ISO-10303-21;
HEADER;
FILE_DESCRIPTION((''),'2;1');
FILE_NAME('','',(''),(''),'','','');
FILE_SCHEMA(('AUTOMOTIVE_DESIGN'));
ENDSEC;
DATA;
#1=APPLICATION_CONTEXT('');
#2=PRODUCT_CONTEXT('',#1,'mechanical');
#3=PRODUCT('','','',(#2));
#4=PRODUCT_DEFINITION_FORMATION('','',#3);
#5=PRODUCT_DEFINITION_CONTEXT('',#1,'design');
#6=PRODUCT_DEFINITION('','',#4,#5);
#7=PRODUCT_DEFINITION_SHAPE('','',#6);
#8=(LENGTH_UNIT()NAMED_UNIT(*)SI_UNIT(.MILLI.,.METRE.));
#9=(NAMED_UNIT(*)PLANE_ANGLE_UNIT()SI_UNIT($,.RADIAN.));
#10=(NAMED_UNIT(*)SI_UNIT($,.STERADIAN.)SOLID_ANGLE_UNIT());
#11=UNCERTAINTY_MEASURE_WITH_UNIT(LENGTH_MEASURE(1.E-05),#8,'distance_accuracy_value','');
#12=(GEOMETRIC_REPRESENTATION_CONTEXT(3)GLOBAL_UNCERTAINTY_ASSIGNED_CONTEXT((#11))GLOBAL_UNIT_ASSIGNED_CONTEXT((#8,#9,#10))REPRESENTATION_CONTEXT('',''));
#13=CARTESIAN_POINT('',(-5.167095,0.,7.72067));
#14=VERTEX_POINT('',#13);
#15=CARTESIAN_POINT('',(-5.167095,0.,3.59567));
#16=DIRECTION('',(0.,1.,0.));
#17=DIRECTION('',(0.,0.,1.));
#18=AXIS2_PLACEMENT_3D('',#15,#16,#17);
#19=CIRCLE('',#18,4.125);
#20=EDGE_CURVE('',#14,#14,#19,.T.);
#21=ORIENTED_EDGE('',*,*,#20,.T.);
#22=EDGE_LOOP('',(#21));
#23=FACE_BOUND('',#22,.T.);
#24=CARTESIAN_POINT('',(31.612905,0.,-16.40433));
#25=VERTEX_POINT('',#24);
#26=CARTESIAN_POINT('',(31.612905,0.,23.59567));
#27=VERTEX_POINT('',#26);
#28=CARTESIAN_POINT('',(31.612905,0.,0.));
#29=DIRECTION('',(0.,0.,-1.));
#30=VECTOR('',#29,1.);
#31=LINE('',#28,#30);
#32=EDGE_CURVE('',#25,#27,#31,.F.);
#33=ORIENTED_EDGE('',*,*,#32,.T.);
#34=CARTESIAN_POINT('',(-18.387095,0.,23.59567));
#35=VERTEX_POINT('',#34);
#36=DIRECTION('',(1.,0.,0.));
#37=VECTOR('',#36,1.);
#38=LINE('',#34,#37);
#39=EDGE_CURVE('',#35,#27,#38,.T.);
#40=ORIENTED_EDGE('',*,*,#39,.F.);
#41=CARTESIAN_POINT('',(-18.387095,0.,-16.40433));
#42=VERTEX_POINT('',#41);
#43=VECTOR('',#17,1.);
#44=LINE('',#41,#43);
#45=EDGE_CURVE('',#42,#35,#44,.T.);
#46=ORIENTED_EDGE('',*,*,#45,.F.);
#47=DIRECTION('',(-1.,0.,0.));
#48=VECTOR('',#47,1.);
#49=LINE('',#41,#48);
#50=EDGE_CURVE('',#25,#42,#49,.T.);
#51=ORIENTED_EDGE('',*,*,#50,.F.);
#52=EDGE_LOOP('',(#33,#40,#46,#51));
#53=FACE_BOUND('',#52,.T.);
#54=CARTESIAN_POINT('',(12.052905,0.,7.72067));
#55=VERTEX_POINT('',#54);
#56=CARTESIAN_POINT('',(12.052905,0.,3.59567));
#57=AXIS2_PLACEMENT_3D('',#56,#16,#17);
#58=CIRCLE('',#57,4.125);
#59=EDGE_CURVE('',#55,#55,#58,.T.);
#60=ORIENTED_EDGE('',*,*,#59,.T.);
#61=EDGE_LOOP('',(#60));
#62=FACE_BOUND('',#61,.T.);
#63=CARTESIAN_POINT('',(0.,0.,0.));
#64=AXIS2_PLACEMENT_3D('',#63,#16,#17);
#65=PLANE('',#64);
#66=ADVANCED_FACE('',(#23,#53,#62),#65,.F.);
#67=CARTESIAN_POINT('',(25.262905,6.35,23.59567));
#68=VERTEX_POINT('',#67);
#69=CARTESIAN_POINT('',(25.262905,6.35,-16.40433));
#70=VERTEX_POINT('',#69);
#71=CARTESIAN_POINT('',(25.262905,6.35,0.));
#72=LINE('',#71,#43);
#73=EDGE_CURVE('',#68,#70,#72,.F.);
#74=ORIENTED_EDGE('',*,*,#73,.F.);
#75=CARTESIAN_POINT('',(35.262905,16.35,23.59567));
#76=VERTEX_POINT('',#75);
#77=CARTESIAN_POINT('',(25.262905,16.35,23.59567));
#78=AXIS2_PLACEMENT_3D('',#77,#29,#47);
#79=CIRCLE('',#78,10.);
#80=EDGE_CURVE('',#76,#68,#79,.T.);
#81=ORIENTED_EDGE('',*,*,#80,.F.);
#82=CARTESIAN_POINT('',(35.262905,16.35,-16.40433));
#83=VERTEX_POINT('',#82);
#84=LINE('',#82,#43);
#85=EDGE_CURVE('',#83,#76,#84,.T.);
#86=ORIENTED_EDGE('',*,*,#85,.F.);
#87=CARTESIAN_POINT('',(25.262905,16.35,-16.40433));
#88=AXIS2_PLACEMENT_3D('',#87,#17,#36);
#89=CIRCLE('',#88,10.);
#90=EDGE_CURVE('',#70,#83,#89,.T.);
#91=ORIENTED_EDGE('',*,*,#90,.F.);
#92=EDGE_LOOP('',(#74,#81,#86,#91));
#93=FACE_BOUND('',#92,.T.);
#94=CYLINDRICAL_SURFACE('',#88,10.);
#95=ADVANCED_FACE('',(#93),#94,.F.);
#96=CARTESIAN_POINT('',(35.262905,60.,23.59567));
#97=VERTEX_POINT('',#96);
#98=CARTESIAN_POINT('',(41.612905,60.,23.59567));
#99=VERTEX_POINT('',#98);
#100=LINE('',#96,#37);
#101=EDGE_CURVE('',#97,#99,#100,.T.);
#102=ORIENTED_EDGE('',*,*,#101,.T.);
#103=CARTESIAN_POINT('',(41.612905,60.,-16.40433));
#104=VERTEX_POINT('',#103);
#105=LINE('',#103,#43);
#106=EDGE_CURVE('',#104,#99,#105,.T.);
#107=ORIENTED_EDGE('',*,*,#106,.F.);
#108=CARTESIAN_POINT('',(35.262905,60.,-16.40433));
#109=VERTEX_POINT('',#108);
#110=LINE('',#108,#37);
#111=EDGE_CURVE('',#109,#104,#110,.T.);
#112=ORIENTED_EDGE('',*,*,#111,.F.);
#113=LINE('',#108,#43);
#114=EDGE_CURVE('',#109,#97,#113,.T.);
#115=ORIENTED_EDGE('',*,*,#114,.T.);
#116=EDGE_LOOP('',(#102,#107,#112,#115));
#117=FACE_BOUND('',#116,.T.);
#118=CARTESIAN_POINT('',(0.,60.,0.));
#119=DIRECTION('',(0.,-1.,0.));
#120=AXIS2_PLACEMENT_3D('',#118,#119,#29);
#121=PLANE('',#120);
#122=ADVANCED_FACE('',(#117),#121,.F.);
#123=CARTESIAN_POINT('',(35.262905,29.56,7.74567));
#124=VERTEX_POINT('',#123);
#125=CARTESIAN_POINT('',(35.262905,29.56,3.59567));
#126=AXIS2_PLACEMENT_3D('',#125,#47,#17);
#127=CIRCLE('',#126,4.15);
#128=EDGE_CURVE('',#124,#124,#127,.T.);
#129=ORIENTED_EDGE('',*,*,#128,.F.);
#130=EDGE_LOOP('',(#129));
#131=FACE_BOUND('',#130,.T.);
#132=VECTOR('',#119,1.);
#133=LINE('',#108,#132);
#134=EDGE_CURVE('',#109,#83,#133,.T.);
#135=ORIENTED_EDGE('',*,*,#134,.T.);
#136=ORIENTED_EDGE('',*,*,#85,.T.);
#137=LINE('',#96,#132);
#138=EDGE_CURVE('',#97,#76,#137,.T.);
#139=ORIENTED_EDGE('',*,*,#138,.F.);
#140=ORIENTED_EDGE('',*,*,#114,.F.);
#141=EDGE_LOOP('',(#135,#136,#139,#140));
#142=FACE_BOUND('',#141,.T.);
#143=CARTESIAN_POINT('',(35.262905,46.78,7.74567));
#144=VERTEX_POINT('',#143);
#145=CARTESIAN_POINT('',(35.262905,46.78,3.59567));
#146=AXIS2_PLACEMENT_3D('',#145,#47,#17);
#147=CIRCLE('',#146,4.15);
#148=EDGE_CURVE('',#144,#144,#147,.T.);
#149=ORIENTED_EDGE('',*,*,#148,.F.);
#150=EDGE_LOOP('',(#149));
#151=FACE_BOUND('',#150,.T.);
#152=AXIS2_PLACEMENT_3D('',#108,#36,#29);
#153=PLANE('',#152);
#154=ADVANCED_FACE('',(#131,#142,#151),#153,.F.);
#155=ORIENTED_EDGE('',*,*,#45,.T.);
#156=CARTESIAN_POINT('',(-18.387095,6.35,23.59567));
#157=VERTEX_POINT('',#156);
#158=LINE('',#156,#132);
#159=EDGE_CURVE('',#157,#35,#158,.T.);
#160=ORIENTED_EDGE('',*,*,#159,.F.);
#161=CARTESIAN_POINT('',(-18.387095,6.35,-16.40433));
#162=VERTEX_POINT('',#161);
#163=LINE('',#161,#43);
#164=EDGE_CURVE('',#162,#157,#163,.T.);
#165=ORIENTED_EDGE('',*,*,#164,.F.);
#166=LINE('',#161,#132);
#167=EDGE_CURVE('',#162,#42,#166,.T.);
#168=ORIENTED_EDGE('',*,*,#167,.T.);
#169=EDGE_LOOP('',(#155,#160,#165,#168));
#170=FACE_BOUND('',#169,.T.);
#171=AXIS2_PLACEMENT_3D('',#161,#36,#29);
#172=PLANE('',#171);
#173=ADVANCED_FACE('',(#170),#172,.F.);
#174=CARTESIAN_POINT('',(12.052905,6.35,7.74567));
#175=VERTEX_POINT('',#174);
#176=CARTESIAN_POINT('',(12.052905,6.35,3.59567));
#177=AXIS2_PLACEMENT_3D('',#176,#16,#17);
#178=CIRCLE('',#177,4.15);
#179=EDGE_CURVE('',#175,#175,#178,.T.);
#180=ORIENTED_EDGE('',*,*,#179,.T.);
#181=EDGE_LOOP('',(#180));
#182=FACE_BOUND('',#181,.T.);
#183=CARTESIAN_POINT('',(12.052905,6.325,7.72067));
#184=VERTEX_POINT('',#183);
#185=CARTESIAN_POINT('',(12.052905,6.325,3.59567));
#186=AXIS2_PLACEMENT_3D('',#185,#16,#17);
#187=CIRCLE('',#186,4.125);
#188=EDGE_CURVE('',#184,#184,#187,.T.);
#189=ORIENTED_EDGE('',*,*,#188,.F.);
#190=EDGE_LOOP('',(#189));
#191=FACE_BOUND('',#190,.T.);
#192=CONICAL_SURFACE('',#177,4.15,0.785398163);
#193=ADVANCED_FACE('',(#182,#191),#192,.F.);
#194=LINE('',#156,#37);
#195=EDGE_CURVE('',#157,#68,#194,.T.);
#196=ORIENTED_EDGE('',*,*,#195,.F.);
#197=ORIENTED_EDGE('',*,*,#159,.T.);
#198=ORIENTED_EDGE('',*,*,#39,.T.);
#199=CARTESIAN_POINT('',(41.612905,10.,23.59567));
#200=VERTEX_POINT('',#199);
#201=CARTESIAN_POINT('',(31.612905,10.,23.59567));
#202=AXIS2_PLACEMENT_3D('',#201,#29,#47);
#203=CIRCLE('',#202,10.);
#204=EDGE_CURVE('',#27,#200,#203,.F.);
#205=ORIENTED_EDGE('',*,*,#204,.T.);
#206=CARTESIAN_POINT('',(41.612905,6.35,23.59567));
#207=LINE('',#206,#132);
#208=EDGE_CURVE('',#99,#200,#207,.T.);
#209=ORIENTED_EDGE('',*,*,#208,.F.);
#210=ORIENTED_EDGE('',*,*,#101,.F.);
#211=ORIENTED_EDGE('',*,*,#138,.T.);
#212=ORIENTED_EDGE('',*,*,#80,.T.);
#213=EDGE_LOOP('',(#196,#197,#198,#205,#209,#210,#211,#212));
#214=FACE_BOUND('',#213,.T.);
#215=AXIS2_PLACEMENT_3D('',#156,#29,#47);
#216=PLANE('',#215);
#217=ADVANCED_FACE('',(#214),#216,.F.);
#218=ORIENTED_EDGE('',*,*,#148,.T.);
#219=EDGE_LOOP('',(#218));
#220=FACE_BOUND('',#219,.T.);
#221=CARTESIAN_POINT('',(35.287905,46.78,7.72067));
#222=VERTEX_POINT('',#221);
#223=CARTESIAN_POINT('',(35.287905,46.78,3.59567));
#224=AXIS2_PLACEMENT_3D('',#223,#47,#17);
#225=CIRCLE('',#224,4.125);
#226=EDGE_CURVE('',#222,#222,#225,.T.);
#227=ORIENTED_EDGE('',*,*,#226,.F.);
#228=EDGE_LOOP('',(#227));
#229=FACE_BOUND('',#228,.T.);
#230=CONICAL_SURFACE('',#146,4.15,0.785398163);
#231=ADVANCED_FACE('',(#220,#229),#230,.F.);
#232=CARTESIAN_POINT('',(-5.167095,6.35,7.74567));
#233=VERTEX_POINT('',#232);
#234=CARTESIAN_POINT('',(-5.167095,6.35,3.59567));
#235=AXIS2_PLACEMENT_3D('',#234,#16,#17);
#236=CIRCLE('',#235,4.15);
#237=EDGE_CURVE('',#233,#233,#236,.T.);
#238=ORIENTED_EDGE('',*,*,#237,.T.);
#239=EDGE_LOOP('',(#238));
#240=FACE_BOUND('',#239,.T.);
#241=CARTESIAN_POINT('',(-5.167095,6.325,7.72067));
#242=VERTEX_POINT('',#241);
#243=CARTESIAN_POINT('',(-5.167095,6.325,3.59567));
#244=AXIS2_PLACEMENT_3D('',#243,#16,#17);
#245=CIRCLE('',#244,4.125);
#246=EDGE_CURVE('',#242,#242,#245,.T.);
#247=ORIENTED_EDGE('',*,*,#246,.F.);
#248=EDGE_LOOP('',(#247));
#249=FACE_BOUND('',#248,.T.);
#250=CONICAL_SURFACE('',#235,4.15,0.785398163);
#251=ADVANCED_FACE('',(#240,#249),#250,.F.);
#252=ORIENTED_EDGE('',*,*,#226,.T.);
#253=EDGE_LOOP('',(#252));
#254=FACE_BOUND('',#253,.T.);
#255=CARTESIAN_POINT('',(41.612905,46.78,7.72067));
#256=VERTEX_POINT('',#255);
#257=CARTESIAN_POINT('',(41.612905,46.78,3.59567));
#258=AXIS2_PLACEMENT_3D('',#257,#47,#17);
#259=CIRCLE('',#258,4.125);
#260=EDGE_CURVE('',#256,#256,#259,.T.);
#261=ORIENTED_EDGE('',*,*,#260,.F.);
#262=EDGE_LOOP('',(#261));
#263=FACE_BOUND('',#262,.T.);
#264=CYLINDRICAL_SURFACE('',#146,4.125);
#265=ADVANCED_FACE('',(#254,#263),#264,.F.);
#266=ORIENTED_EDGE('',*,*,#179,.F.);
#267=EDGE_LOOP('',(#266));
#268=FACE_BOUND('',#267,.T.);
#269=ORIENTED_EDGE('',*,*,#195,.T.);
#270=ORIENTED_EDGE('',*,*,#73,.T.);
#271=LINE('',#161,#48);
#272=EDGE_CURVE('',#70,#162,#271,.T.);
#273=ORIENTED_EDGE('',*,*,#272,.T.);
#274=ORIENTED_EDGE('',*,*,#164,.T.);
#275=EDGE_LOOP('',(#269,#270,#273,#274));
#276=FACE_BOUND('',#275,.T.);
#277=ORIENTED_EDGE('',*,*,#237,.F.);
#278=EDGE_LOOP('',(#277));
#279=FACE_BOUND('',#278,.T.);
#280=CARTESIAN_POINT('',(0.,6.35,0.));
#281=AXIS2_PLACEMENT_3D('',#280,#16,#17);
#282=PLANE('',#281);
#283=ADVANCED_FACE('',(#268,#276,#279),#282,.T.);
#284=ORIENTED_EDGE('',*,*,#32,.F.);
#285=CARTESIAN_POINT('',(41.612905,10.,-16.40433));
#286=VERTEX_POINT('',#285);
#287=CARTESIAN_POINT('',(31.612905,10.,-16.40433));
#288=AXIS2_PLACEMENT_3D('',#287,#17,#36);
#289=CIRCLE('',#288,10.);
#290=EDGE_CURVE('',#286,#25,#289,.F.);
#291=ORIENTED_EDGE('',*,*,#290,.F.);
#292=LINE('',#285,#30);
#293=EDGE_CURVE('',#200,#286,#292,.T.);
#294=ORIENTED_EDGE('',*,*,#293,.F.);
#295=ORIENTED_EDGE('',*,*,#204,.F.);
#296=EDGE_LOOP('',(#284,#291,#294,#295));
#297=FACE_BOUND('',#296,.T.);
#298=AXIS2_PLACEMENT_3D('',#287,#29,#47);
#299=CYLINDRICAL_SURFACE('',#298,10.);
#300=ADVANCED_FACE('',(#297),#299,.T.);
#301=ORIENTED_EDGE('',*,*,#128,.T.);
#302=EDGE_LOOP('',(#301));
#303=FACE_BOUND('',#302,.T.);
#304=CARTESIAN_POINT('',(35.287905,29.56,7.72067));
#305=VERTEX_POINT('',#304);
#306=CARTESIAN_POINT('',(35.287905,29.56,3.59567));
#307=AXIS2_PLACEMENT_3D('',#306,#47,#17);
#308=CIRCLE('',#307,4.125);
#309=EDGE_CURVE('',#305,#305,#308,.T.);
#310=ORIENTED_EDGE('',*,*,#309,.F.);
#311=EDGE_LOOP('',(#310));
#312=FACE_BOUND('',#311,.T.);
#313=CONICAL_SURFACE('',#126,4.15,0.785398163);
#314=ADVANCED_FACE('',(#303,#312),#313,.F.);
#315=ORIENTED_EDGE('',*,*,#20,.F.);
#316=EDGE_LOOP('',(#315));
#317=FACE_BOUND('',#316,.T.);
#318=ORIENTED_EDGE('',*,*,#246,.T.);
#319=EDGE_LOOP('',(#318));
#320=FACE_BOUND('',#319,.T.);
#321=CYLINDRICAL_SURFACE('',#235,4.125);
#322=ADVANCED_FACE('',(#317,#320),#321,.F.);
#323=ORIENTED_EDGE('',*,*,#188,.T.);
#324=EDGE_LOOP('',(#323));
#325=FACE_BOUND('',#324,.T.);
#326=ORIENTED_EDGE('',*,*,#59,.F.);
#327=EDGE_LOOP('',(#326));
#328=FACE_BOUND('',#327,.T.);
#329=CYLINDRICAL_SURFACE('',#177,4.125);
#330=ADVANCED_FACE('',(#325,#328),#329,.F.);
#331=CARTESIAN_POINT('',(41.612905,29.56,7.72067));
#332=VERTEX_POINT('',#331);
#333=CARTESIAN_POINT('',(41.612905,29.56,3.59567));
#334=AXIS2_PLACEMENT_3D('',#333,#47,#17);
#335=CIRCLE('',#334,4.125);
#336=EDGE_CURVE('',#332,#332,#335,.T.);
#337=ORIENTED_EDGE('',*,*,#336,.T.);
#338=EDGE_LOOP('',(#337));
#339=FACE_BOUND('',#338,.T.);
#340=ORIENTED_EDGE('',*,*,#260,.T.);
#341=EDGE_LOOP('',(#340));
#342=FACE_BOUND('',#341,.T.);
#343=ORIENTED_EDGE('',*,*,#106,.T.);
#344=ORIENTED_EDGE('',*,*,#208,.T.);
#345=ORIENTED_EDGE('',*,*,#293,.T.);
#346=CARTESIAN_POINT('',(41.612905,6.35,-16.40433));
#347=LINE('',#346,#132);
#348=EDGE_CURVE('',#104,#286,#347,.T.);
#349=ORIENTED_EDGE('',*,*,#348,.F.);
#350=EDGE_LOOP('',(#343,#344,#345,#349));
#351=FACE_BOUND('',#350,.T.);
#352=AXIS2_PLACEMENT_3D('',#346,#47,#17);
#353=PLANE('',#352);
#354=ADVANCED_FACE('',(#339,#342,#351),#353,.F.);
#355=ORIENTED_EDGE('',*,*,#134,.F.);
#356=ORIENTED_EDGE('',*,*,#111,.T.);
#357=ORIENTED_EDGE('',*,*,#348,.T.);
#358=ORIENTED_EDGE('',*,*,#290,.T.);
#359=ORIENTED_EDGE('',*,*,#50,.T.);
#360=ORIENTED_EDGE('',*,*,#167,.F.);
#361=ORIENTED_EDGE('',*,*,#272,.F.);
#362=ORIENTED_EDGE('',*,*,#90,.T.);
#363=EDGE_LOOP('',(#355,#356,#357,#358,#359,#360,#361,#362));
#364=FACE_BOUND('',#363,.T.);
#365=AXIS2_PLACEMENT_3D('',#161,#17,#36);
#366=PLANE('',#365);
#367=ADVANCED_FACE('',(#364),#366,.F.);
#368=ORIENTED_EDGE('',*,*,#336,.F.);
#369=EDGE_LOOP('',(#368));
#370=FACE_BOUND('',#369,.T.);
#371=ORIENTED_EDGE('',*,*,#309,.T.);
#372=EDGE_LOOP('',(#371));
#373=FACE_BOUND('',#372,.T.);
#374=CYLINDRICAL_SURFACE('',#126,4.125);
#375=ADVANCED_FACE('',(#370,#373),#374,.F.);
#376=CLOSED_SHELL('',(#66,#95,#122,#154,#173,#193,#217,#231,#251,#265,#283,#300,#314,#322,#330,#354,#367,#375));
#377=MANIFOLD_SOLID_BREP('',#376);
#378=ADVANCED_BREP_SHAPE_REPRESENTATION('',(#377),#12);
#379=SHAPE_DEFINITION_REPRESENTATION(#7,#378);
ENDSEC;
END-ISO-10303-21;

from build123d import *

# Parameters (mm, degrees)
SKETCH1_W                              = 60
SKETCH1_H                              = 40
BOSS_EXTRUDE1_DEPTH                    = 6.35
SKETCH2_W                              = 6.35
SKETCH2_H                              = 40
BOSS_EXTRUDE2_DEPTH                    = 53.65
FILLET4_R                              = 10
FILLET5_R                              = 10
TAP_DRILL_FOR_M8_HELICOIL1_D           = 8.25
TAP_DRILL_FOR_M8_HELICOIL1_CSINK_D     = 8.3
TAP_DRILL_FOR_M8_HELICOIL1_CSINK_ANGLE = 90
TAP_DRILL_FOR_M8_HELICOIL2_D           = 8.25
TAP_DRILL_FOR_M8_HELICOIL2_CSINK_D     = 8.3
TAP_DRILL_FOR_M8_HELICOIL2_CSINK_ANGLE = 90


with BuildPart() as part:
    # Sketch1 → Boss-Extrude1 (new body)
    with BuildSketch(Plane(origin=(0, 0, 0), x_dir=(1, 0, 0), z_dir=(0, 1, 0))):
        with Locations((11.612905022, -3.595670031)):
            Rectangle(SKETCH1_W, SKETCH1_H)
    extrude(amount=BOSS_EXTRUDE1_DEPTH)

    # Sketch2 → Boss-Extrude2 (add)
    with BuildSketch(Plane(origin=(0, 6.35, 0), x_dir=(1, 0, 0), z_dir=(0, 1, 0))):
        with Locations((38.437905022, -3.595670031)):
            Rectangle(SKETCH2_W, SKETCH2_H)
    extrude(amount=BOSS_EXTRUDE2_DEPTH)

    # Fillet4
    fillet4_edges = [part.edges().sort_by_distance(p)[0] for p in [
        (35.262905022, 6.35, 3.595670031),
    ]]
    fillet(fillet4_edges, radius=FILLET4_R)

    # Fillet5
    fillet5_edges = [part.edges().sort_by_distance(p)[0] for p in [
        (41.612905022, 0, 3.595670031),
    ]]
    fillet(fillet5_edges, radius=FILLET5_R)

    # Tap Drill for M8 Helicoil1 (through all)
    with Locations(Plane(origin=(0, 6.35, 0), x_dir=(1, 0, 0), z_dir=(0, 1, 0))):
        with Locations((12.052905022, -3.595670031), (-5.167094978, -3.595670031)):
            CounterSinkHole(TAP_DRILL_FOR_M8_HELICOIL1_D / 2, TAP_DRILL_FOR_M8_HELICOIL1_CSINK_D / 2, counter_sink_angle=TAP_DRILL_FOR_M8_HELICOIL1_CSINK_ANGLE)

    # Tap Drill for M8 Helicoil2 (through all)
    with Locations(Plane.ZY.offset(-35.262905022)):
        with Locations((3.595670031, 46.78), (3.595670031, 29.56)):
            CounterSinkHole(TAP_DRILL_FOR_M8_HELICOIL2_D / 2, TAP_DRILL_FOR_M8_HELICOIL2_CSINK_D / 2, counter_sink_angle=TAP_DRILL_FOR_M8_HELICOIL2_CSINK_ANGLE)


solid = part.part
